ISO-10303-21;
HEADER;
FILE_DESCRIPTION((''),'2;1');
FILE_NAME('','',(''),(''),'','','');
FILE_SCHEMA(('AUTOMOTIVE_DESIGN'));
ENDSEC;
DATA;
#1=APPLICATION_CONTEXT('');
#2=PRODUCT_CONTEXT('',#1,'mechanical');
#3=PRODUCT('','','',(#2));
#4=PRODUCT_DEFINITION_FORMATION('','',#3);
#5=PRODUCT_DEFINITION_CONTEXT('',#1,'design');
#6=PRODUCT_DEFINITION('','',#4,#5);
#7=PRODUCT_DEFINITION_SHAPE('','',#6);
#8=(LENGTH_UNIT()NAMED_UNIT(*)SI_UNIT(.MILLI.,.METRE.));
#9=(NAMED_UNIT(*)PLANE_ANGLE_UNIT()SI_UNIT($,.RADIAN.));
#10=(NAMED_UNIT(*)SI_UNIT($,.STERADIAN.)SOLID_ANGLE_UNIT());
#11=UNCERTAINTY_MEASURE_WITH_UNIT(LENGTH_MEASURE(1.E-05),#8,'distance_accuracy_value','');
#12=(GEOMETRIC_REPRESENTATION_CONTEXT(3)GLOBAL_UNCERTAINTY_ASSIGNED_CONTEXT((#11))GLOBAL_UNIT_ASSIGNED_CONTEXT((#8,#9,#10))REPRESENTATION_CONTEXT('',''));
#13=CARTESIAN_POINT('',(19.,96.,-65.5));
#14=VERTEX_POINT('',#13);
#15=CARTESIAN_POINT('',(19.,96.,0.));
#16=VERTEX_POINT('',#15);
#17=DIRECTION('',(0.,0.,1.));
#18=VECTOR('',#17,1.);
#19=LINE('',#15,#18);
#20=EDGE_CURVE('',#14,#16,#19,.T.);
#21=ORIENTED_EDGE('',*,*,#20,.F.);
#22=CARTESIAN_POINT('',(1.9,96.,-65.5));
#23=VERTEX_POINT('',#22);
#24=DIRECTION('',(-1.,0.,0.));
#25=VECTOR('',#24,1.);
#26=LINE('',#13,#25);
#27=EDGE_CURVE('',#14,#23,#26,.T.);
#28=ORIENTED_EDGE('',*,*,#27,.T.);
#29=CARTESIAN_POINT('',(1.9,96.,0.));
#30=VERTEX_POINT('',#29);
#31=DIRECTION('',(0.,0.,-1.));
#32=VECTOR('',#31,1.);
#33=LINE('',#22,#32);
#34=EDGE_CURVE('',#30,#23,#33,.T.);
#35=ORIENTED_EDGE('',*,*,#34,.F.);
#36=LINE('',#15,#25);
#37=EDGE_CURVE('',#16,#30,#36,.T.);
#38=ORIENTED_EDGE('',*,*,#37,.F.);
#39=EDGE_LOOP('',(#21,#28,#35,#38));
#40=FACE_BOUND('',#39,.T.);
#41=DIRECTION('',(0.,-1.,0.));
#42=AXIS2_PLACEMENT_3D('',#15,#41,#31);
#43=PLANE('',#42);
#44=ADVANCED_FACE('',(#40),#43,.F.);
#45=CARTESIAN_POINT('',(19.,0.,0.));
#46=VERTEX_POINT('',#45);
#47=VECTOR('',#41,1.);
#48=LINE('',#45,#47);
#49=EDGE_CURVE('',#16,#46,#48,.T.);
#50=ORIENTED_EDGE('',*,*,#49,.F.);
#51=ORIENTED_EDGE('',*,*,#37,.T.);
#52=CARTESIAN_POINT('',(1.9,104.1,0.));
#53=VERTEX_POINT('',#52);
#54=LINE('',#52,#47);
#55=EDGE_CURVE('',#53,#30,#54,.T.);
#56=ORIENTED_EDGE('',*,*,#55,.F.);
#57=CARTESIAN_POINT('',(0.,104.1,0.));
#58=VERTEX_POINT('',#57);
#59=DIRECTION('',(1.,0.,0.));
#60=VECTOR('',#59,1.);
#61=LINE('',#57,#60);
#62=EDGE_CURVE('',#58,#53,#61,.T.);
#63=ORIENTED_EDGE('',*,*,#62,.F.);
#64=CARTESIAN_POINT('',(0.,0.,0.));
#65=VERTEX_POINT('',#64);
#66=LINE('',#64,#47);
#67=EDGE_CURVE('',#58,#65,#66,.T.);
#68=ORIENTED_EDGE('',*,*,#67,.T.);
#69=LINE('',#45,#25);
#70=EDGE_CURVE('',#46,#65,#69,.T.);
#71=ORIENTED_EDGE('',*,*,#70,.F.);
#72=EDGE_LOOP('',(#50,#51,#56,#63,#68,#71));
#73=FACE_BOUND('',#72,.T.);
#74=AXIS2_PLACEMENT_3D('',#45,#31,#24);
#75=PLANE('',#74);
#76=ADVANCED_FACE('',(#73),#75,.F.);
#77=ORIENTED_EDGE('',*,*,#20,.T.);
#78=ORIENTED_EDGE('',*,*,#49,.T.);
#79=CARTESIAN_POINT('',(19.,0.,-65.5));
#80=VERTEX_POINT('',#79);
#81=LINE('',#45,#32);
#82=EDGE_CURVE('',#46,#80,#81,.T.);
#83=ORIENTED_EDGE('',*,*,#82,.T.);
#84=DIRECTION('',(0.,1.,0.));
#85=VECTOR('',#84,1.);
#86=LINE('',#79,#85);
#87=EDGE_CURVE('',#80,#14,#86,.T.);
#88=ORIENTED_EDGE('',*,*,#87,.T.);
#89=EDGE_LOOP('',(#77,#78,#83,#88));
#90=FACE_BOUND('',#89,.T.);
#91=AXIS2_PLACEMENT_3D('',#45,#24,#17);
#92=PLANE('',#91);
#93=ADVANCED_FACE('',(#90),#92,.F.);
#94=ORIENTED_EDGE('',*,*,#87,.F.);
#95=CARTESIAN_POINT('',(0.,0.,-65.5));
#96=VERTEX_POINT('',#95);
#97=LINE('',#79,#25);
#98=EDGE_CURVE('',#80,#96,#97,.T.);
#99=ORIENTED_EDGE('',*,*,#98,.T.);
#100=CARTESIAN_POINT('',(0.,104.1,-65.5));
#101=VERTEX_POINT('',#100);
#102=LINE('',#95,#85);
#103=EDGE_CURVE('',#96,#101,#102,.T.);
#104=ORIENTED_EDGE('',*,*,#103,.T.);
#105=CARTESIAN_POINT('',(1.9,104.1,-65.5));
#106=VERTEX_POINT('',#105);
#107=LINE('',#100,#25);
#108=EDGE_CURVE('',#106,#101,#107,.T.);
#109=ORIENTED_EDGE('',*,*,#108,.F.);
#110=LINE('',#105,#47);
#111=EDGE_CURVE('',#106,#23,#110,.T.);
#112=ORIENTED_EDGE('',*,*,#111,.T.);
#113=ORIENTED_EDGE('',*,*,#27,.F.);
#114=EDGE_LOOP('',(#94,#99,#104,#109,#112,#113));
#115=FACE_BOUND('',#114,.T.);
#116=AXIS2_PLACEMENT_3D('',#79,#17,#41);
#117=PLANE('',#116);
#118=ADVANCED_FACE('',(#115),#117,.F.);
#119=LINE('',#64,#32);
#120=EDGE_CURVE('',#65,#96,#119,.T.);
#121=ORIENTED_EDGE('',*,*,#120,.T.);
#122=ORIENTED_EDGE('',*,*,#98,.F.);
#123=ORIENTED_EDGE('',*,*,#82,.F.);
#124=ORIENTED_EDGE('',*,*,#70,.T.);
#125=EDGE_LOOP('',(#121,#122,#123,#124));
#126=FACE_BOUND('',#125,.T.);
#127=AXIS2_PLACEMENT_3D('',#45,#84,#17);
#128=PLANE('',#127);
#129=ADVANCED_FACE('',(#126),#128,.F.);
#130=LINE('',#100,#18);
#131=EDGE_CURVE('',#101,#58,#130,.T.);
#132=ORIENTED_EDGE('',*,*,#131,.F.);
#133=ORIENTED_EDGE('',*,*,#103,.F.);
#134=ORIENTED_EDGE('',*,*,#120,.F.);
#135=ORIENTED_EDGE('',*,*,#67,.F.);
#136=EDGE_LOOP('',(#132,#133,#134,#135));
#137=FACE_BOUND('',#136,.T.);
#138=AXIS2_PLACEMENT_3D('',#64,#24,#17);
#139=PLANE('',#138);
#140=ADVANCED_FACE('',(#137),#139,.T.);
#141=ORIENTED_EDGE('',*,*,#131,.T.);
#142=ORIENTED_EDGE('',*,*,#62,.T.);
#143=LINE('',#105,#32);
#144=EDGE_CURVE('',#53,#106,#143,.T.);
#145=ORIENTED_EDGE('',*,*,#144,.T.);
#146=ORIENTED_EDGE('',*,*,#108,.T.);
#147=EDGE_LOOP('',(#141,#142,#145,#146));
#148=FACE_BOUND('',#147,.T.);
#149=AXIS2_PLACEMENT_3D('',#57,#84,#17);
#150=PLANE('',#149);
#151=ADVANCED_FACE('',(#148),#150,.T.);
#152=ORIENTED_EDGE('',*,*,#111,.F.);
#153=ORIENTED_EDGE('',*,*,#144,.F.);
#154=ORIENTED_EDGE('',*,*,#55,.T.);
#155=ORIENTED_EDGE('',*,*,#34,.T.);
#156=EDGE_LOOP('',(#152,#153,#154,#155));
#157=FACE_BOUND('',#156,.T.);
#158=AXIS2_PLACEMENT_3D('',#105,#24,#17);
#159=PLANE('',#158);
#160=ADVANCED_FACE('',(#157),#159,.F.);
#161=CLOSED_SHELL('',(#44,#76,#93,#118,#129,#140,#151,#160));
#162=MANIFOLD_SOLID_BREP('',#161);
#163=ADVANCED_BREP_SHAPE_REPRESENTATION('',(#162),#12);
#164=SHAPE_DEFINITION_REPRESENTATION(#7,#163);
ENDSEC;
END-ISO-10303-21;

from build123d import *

# Parameters (mm, degrees)
SKETCH2_W           = 65.5
SKETCH2_H           = 96
BOSS_EXTRUDE1_DEPTH = 19
SKETCH3_W           = 1.9
SKETCH3_H           = 65.5
BOSS_EXTRUDE2_DEPTH = 8.1


with BuildPart() as part:
    # Sketch2 → Boss-Extrude1 (new body)
    with BuildSketch(Plane(origin=(0, 0, 0), x_dir=(0, 0, -1), z_dir=(1, 0, 0))):
        with Locations((32.75, 48)):
            Rectangle(SKETCH2_W, SKETCH2_H)
    extrude(amount=BOSS_EXTRUDE1_DEPTH)

    # Sketch3 → Boss-Extrude2 (add)
    with BuildSketch(Plane(origin=(0, 96, 0), x_dir=(1, 0, 0), z_dir=(0, 1, 0))):
        with Locations((0.95, 32.75)):
            Rectangle(SKETCH3_W, SKETCH3_H)
    extrude(amount=BOSS_EXTRUDE2_DEPTH)


solid = part.part
